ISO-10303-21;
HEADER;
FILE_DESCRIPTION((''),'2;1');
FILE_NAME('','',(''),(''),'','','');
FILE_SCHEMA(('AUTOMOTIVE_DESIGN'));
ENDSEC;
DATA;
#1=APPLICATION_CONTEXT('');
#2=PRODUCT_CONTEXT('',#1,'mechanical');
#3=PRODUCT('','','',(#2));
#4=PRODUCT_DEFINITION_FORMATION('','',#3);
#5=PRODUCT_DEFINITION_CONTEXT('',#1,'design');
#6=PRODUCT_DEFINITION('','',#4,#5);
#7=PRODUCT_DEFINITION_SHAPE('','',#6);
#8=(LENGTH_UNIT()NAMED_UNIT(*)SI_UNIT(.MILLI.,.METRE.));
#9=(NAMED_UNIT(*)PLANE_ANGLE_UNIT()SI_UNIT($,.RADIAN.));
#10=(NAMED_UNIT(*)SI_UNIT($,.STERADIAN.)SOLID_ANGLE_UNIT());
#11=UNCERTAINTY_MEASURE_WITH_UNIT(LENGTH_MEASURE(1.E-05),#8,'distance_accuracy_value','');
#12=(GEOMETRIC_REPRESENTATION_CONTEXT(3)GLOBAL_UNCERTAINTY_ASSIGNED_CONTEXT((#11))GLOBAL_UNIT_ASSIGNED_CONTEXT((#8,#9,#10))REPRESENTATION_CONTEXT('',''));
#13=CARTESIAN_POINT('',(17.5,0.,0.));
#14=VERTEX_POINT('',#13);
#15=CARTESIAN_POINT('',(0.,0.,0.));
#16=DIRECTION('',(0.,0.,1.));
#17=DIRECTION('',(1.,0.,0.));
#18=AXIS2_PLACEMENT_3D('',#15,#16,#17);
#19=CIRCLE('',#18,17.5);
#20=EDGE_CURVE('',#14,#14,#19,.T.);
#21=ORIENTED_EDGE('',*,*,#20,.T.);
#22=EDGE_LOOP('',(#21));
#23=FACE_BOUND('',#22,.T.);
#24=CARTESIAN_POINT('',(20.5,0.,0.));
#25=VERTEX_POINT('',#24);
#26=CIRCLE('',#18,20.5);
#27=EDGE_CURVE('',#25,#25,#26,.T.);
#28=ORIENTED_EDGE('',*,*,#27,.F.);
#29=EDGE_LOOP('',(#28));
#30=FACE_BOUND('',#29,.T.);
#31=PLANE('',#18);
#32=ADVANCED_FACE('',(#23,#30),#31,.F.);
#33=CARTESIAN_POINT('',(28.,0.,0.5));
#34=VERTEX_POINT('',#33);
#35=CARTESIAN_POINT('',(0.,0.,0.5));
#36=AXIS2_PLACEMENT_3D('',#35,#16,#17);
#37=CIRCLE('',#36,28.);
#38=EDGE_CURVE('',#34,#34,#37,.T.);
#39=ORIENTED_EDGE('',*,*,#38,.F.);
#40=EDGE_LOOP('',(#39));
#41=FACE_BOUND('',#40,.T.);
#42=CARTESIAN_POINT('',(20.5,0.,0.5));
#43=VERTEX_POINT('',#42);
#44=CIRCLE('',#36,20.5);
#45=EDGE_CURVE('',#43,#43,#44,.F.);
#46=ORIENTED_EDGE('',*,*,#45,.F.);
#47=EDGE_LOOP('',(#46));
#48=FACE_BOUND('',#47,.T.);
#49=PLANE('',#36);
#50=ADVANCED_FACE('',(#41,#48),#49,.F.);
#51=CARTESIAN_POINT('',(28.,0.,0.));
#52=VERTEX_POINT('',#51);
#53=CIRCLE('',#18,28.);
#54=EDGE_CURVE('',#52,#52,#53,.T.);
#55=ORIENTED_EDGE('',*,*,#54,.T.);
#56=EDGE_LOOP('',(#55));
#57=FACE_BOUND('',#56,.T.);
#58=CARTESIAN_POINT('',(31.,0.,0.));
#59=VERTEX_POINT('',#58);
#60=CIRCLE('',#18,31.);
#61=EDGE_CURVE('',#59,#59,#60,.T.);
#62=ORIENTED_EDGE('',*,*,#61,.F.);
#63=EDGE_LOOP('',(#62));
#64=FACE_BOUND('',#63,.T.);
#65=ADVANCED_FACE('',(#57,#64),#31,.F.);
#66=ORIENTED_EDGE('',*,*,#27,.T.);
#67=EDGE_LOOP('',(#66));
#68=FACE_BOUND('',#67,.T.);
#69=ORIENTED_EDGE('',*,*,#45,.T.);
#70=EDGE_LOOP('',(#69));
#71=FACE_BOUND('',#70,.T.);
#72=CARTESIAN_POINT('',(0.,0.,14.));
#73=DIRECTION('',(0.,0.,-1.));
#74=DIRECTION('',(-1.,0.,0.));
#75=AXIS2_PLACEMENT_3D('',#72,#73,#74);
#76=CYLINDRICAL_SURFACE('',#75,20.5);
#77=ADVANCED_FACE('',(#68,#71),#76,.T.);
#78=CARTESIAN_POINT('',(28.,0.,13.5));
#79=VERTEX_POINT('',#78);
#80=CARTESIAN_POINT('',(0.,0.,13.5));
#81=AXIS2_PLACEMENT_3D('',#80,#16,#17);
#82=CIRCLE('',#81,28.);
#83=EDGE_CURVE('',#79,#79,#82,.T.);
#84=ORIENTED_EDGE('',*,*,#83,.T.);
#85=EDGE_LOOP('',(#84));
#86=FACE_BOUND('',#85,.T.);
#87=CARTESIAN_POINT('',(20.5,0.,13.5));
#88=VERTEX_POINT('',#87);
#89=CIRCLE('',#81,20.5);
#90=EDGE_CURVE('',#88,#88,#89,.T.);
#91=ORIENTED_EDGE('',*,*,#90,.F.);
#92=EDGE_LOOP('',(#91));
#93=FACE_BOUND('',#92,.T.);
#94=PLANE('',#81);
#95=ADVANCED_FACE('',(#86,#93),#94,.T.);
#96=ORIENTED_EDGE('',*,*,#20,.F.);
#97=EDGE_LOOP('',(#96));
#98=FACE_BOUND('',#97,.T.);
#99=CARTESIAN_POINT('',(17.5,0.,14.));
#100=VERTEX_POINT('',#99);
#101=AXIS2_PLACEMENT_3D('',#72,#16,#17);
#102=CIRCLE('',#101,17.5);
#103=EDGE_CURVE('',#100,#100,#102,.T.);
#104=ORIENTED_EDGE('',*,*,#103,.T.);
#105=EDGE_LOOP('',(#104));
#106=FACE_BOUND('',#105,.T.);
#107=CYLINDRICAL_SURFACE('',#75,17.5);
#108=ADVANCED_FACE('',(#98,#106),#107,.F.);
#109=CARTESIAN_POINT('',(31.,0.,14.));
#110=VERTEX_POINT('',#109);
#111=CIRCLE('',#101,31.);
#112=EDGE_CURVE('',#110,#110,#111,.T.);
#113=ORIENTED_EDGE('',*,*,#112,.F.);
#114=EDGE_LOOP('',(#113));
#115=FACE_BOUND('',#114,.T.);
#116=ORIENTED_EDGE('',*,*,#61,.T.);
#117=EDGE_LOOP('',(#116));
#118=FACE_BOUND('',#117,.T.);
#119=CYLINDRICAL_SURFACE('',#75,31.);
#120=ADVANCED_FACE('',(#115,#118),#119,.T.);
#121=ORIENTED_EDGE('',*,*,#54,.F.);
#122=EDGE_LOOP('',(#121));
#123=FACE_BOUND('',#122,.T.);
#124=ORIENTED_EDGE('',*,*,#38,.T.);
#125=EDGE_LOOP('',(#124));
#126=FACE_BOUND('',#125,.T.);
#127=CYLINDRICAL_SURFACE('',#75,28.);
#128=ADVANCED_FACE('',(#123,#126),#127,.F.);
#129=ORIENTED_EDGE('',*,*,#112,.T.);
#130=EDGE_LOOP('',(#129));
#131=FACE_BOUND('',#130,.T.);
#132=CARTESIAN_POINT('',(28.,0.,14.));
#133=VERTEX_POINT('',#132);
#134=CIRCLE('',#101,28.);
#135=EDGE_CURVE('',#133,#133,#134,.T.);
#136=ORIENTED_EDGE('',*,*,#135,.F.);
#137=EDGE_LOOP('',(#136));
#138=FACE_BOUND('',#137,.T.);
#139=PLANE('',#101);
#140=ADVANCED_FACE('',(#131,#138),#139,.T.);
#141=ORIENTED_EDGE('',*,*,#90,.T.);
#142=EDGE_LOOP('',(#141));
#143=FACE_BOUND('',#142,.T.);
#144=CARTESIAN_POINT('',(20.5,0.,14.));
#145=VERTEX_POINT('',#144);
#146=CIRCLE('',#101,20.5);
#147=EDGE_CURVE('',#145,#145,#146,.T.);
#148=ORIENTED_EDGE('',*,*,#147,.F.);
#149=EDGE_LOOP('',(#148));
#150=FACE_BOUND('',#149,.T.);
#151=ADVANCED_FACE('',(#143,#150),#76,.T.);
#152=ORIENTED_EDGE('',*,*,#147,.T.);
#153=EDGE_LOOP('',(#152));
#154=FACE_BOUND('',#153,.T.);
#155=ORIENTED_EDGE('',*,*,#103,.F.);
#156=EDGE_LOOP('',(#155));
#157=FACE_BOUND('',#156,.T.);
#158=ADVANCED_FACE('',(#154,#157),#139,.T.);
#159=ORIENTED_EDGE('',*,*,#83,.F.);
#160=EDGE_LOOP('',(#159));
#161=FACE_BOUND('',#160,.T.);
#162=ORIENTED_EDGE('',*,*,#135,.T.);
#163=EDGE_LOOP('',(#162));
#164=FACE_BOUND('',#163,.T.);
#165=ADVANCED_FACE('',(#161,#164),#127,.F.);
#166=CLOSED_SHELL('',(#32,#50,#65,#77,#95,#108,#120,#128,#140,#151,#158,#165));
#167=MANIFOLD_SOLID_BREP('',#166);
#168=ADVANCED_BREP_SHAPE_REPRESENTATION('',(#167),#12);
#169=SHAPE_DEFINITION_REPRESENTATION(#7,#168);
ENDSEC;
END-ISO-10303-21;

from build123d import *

# Parameters (mm, degrees)
SKETCH1_R             = 31
SKETCH1_R_2           = 28
BOSS_EXTRUDE1_DEPTH   = 14
SKETCH1_R_3           = 20.5
SKETCH1_R_4           = 17.5
BOSS_EXTRUDE1_2_DEPTH = 14
BOSS_EXTRUDE2_START   = 0.5
SKETCH1_3_R           = 28
SKETCH1_3_R_2         = 20.5
BOSS_EXTRUDE2_DEPTH   = 13


with BuildPart() as part:
    # Sketch1 → Boss-Extrude1 (new body)
    with BuildSketch(Plane(origin=(0, 0, 0), x_dir=(0, 1, 0), z_dir=(0, 0, 1))):
        Circle(SKETCH1_R)
        Circle(SKETCH1_R_2, mode=Mode.SUBTRACT)
    extrude(amount=BOSS_EXTRUDE1_DEPTH)



with BuildPart() as body_2:
    # Sketch1 → Boss-Extrude1 2 (new body)
    with BuildSketch(Plane(origin=(0, 0, 0), x_dir=(0, 1, 0), z_dir=(0, 0, 1))):
        Circle(SKETCH1_R_3)
        Circle(SKETCH1_R_4, mode=Mode.SUBTRACT)
    extrude(amount=BOSS_EXTRUDE1_2_DEPTH)


with BuildPart() as part_1:
    add(part.part)

    add(body_2.part)  # Boss-Extrude2 merges body 2
    # Sketch1<3> → Boss-Extrude2 (add)
    with BuildSketch(Plane(origin=(0, 0, 0), x_dir=(0, 1, 0), z_dir=(0, 0, 1)).offset(BOSS_EXTRUDE2_START)):
        Circle(SKETCH1_3_R)
        Circle(SKETCH1_3_R_2, mode=Mode.SUBTRACT)
    extrude(amount=BOSS_EXTRUDE2_DEPTH)


solid = part_1.part
